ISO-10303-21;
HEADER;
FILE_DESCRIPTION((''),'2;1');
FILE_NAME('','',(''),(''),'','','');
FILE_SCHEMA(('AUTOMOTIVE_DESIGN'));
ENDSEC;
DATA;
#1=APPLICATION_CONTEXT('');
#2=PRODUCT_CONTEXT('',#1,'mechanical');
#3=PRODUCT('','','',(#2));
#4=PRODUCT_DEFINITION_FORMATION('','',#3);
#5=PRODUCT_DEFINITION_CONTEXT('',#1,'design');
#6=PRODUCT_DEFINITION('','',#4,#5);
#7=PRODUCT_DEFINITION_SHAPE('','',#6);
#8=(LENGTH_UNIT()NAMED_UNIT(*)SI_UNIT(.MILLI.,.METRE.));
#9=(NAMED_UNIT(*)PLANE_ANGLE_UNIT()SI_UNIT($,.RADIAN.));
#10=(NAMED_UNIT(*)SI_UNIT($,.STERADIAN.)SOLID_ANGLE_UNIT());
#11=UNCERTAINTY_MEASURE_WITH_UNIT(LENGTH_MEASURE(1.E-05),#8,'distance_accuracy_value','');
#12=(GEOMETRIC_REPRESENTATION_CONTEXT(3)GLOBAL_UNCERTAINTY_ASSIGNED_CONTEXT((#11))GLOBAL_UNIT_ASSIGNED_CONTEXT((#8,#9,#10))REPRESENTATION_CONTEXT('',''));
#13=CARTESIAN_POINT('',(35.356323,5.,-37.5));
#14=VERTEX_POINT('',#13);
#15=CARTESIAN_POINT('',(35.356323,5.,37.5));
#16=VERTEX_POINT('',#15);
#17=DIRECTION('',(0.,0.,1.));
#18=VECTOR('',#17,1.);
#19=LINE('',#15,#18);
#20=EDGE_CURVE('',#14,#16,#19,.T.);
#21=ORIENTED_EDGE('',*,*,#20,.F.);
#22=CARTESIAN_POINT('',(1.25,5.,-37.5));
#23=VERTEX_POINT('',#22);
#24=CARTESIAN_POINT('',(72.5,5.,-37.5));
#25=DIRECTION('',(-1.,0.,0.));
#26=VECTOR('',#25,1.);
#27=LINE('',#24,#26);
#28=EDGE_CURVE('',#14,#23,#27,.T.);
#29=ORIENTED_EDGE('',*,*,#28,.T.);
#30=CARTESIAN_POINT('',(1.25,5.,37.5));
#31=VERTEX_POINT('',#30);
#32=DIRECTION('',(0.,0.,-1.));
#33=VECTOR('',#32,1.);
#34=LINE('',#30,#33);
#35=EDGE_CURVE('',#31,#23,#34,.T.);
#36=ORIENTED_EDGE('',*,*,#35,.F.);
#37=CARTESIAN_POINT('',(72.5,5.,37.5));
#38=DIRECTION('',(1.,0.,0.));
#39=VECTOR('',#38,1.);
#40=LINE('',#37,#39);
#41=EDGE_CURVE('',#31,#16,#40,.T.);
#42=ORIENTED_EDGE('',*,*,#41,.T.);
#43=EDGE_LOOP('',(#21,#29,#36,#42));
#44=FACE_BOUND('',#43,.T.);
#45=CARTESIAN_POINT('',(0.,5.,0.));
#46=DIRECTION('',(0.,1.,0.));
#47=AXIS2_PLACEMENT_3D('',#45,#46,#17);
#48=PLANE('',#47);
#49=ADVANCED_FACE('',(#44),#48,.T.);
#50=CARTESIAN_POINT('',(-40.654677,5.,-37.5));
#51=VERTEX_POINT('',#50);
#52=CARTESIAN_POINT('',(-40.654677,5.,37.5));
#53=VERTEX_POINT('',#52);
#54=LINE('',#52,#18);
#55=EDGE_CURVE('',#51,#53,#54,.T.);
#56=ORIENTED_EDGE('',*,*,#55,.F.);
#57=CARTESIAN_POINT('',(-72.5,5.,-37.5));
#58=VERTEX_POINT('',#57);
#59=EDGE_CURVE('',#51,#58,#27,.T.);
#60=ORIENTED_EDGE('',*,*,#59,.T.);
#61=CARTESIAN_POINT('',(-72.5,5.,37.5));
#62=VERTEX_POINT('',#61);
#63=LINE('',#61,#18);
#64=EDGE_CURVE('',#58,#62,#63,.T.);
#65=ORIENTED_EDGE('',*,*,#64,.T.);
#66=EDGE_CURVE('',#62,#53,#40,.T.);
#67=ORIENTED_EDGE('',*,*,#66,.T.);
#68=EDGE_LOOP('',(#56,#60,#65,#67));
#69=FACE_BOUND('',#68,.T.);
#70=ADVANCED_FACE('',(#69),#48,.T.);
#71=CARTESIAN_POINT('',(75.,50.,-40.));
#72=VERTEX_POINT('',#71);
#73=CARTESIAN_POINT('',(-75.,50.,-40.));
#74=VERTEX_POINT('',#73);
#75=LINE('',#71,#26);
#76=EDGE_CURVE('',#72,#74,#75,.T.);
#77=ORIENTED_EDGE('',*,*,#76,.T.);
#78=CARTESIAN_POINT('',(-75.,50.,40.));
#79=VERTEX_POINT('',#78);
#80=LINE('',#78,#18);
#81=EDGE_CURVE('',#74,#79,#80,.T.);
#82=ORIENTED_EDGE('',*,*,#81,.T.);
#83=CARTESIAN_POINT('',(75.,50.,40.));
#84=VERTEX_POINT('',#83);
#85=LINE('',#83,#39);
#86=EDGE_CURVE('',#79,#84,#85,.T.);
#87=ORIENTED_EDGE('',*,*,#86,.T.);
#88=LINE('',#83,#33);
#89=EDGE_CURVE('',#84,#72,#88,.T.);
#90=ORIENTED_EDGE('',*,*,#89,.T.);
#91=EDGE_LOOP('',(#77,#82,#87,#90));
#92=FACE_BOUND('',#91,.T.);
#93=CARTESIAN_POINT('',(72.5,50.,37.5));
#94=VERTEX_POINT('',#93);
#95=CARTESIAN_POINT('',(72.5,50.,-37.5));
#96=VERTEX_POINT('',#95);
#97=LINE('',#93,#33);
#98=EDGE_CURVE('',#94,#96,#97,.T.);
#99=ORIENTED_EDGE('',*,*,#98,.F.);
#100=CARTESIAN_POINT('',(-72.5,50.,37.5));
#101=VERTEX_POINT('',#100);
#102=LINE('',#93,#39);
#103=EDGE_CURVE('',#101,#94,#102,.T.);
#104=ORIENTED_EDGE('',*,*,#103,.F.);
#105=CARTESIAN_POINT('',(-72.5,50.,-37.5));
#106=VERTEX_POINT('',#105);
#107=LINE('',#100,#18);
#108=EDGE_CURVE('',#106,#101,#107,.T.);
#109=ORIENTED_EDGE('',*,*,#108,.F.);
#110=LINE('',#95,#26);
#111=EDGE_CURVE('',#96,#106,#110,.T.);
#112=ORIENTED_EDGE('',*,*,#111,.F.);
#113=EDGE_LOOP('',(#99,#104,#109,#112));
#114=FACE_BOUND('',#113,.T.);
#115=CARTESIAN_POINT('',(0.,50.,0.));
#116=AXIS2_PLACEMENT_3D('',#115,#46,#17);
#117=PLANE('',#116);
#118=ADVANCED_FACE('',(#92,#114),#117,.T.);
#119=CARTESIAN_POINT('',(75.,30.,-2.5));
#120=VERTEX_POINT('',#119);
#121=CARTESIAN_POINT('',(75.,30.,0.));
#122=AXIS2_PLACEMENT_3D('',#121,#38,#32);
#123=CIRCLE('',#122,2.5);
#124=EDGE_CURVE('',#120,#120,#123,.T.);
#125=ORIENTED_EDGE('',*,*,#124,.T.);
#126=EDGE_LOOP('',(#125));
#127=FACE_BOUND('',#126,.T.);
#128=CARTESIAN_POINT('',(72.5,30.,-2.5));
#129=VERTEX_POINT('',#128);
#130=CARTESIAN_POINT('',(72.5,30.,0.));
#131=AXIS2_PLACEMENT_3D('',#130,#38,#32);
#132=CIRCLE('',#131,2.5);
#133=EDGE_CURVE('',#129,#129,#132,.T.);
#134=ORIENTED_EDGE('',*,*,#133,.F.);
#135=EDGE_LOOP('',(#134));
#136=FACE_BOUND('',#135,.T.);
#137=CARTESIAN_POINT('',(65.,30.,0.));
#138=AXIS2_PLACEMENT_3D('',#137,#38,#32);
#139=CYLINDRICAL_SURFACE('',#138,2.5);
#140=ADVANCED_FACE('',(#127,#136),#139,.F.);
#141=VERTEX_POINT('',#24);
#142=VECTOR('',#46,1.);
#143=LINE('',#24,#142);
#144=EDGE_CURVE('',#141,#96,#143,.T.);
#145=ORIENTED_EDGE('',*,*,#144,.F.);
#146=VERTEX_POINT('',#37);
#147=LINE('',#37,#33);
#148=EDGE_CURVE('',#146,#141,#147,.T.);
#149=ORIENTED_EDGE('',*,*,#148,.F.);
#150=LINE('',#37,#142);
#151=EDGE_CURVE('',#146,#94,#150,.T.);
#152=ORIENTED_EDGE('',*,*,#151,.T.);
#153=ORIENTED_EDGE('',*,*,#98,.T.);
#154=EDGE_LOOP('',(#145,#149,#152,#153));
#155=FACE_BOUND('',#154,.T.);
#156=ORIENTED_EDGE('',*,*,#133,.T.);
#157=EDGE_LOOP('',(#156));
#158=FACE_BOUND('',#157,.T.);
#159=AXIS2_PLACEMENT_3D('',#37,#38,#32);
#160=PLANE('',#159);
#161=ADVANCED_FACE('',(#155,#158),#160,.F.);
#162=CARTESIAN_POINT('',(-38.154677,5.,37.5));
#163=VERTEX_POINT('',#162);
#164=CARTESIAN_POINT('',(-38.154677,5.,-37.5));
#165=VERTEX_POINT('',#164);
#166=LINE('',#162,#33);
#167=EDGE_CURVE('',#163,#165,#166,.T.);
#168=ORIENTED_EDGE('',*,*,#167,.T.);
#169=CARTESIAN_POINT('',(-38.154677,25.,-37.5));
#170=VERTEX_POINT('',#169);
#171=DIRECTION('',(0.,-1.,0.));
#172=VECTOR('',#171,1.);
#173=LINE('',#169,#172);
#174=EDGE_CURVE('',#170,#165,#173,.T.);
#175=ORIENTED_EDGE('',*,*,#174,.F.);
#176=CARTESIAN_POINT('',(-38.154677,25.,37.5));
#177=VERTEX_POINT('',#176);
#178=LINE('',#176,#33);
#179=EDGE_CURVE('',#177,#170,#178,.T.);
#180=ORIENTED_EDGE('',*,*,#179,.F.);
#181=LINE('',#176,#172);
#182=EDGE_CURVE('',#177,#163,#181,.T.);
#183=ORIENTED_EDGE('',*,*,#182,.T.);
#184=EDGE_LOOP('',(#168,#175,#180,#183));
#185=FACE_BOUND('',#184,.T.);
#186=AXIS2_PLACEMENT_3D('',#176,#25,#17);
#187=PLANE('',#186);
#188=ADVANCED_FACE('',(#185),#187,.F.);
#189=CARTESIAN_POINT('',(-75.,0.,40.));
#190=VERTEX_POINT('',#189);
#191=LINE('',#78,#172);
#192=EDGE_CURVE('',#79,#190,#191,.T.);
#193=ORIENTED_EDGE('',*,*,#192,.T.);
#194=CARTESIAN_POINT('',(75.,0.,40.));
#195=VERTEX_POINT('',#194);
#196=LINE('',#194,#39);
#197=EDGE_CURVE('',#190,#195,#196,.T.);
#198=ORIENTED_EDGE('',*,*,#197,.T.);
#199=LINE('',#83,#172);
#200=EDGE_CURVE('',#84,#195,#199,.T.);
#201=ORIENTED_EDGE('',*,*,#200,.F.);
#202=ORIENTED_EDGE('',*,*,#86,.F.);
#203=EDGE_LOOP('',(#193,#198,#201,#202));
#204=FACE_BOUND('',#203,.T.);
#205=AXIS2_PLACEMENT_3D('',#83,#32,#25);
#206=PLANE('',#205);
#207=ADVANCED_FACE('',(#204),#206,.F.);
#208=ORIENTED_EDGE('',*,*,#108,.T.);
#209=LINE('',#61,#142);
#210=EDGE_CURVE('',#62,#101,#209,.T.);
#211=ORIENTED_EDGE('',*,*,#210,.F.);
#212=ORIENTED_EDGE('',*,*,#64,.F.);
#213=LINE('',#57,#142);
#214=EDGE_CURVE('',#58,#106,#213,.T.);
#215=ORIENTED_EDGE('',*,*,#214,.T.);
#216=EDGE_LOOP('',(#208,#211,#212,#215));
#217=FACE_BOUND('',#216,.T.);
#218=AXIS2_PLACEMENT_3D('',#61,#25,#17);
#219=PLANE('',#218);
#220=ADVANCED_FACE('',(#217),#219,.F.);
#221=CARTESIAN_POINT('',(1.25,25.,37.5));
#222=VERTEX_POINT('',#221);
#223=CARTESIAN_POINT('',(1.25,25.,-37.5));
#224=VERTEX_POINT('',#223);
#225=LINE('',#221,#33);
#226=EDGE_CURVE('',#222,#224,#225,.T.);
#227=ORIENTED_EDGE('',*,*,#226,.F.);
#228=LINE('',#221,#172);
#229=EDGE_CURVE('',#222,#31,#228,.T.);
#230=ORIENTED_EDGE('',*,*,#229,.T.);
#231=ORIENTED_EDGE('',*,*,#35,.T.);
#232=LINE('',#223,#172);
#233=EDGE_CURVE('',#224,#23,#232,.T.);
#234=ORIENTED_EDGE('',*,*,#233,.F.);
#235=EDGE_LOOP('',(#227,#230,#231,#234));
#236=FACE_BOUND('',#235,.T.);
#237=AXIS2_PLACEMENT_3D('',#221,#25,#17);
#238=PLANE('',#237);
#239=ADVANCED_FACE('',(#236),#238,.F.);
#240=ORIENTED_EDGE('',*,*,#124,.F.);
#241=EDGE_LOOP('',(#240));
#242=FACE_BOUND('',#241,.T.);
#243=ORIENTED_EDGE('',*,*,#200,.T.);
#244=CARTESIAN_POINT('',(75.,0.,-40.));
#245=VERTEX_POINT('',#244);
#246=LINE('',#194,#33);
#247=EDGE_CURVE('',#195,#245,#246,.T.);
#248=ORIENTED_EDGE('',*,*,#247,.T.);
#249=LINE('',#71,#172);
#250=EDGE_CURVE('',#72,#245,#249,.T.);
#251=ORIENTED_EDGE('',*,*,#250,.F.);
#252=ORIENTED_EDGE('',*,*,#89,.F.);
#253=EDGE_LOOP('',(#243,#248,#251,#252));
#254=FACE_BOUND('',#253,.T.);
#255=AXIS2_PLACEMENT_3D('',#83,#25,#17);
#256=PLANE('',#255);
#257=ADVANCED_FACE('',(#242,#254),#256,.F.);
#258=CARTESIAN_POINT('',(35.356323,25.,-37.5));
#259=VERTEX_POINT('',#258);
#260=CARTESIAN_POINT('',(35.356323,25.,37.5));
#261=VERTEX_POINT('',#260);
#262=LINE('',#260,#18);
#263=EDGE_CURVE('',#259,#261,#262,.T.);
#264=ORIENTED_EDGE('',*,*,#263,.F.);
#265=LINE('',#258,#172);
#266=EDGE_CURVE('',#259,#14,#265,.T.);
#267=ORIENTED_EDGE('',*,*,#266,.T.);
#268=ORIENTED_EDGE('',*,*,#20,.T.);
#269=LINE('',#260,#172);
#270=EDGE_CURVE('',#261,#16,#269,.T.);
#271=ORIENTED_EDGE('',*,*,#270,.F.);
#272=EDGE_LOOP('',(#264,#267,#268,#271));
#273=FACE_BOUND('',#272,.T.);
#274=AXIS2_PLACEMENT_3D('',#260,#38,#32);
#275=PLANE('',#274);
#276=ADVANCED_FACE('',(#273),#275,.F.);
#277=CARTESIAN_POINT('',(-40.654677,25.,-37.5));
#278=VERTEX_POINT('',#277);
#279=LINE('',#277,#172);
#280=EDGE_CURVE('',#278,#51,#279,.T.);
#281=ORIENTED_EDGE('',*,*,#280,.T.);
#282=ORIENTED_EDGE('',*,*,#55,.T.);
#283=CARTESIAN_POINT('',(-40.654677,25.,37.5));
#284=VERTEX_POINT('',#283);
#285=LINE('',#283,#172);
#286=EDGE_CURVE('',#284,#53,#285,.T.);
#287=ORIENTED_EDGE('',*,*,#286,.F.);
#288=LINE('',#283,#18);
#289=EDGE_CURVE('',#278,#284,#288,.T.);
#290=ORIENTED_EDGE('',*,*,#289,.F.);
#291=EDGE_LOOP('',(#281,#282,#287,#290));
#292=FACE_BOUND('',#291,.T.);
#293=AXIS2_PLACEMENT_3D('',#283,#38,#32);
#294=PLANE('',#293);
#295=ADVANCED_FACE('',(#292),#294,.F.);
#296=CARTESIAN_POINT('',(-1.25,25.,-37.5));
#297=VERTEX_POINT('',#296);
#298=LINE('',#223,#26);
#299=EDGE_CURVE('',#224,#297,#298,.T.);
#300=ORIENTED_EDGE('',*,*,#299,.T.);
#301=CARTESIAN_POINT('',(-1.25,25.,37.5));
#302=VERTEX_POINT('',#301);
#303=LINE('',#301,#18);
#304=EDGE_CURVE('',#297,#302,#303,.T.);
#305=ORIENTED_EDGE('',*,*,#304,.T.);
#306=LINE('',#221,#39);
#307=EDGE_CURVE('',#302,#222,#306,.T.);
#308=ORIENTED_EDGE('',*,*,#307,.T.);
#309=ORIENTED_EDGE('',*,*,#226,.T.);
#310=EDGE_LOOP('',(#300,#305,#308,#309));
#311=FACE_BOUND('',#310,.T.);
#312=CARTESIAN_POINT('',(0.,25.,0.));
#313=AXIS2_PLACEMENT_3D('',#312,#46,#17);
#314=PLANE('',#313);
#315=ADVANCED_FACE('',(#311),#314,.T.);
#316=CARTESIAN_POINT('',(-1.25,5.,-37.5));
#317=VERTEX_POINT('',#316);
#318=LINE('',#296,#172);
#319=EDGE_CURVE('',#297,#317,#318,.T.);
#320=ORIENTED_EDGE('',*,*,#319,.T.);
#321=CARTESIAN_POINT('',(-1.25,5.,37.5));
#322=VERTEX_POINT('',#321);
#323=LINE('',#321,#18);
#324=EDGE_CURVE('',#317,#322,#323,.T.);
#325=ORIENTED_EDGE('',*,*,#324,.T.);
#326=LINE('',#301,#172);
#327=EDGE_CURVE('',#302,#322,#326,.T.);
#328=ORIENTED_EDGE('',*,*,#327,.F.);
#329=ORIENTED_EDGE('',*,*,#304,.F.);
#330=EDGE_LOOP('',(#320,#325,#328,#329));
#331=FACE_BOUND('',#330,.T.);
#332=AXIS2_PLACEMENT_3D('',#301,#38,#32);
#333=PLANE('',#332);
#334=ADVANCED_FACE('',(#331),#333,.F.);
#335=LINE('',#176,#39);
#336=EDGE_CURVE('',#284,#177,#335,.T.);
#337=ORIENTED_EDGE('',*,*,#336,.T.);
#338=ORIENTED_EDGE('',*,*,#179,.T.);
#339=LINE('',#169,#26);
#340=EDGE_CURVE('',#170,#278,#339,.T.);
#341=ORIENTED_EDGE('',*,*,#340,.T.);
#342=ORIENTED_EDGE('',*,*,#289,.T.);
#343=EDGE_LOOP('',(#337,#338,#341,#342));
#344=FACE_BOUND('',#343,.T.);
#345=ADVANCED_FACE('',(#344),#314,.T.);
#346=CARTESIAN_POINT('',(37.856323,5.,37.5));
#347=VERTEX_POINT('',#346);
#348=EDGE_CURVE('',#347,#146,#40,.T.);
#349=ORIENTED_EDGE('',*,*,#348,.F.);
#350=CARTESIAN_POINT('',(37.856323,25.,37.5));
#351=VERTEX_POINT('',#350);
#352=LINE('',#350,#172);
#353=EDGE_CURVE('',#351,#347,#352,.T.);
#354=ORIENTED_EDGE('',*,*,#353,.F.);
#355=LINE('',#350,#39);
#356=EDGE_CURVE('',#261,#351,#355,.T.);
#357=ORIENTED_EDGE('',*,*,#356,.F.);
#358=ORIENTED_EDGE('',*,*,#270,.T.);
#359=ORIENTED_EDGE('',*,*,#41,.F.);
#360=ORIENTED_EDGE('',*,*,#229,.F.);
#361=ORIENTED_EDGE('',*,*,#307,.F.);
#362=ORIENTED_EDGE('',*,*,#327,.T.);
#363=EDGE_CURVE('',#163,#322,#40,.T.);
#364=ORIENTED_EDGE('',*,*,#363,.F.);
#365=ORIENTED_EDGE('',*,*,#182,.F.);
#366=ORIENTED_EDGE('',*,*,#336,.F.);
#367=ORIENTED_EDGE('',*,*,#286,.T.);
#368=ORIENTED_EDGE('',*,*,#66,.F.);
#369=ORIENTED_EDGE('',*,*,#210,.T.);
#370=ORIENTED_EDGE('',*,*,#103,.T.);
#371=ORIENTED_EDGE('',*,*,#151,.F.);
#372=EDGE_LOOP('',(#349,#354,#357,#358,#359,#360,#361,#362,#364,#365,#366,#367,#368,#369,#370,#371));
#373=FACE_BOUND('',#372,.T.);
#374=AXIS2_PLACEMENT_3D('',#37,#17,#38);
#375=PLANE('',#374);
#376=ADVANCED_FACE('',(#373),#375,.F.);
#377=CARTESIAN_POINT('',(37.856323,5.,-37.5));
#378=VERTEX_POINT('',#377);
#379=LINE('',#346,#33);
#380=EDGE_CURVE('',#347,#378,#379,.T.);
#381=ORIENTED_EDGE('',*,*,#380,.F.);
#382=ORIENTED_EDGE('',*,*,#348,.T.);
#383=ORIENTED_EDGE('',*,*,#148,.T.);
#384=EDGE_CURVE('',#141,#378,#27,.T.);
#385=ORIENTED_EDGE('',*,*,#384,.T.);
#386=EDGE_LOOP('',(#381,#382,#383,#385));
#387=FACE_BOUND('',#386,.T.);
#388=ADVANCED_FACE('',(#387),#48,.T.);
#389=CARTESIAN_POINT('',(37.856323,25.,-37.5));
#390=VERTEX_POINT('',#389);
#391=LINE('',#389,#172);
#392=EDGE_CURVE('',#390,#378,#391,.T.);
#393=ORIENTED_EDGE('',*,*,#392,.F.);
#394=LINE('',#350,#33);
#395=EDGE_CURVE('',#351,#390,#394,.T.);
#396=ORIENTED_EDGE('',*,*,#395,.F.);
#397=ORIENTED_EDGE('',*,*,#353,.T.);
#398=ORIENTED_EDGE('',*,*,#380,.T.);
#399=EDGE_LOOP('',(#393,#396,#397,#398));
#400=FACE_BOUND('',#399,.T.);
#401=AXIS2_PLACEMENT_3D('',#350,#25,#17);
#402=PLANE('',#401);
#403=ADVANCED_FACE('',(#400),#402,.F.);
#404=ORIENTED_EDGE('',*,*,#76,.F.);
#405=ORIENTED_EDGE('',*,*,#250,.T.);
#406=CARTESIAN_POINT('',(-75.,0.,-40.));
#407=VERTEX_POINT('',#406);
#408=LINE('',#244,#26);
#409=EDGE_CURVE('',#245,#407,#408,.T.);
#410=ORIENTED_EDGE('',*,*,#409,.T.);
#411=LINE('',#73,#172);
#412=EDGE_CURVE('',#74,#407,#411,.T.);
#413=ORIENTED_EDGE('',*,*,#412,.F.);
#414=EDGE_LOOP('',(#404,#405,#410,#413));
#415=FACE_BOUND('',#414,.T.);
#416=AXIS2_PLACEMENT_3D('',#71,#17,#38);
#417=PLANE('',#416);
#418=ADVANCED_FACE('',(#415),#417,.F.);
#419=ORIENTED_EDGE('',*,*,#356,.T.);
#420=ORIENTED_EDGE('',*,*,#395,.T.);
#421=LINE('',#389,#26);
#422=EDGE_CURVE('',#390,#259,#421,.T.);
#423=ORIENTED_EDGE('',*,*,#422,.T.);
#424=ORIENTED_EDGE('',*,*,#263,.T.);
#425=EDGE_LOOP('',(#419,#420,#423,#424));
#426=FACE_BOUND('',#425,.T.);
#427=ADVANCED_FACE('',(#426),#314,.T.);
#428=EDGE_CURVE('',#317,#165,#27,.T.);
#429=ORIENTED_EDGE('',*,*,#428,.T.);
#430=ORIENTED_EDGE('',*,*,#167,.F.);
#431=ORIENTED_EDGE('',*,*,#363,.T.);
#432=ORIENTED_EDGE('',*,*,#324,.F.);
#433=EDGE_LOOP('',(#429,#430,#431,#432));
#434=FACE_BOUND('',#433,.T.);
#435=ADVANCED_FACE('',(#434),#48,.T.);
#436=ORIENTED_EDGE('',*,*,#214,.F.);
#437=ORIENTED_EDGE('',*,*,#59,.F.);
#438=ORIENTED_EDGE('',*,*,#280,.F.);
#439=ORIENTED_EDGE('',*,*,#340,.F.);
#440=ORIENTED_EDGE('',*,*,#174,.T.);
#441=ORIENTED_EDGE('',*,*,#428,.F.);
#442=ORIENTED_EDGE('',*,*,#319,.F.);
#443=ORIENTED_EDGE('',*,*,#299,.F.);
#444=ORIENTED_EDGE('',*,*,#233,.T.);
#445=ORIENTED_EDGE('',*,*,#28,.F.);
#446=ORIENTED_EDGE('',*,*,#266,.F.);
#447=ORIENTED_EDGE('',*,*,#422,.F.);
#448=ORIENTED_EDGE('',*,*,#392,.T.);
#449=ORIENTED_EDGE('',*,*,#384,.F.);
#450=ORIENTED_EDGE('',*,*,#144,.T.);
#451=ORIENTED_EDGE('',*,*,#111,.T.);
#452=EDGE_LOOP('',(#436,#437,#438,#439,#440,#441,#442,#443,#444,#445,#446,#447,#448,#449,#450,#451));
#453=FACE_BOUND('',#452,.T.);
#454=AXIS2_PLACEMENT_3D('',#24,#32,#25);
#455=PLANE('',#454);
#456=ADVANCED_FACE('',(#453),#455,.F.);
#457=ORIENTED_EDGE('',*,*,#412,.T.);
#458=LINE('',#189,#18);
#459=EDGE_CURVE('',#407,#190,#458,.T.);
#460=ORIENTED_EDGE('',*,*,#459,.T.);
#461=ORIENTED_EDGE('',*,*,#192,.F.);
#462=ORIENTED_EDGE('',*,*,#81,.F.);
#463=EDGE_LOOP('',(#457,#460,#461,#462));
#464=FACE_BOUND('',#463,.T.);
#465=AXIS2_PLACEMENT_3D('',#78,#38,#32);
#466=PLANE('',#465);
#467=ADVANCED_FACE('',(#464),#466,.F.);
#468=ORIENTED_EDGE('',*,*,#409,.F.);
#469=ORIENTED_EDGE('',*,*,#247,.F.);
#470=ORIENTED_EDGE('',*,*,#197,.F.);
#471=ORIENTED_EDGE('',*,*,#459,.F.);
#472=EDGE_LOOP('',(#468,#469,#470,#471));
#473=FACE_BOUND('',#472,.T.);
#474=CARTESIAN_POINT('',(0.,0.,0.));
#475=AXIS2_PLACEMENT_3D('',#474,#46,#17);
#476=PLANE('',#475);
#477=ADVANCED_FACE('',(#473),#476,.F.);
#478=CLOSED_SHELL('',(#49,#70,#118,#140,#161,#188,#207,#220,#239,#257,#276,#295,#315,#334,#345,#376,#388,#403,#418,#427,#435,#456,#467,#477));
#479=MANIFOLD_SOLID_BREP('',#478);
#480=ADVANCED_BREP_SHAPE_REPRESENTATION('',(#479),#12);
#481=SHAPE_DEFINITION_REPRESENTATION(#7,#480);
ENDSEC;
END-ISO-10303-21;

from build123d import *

# Parameters (mm, degrees)
SKETCH1_W           = 150
SKETCH1_H           = 80
BOSS_EXTRUDE1_DEPTH = 50
SKETCH2_W           = 145
SKETCH2_H           = 75
CUT_EXTRUDE1_DEPTH  = 45
SKETCH6_W           = 2.5
SKETCH6_H           = 75
BOSS_EXTRUDE3_DEPTH = 20
SKETCH7_W           = 2.5
SKETCH7_H           = 75
BOSS_EXTRUDE4_DEPTH = 20
SKETCH10_W          = 2.5
SKETCH10_H          = 75
BOSS_EXTRUDE5_DEPTH = 20
SKETCH12_R          = 2.5
CUT_EXTRUDE8_DEPTH  = 10


with BuildPart() as part:
    # Sketch1 → Boss-Extrude1 (new body)
    with BuildSketch(Plane(origin=(0, 0, 0), x_dir=(1, 0, 0), z_dir=(0, 1, 0))):
        Rectangle(SKETCH1_W, SKETCH1_H)
    extrude(amount=BOSS_EXTRUDE1_DEPTH)

    # Sketch2 → Cut-Extrude1 (cut)
    with BuildSketch(Plane(origin=(0, 50, 0), x_dir=(1, 0, 0), z_dir=(0, 1, 0))):
        Rectangle(SKETCH2_W, SKETCH2_H)
    extrude(amount=-CUT_EXTRUDE1_DEPTH, mode=Mode.SUBTRACT)

    # Sketch6 → Boss-Extrude3 (add)
    with BuildSketch(Plane(origin=(0, 5, 0), x_dir=(1, 0, 0), z_dir=(0, 1, 0))):
        Rectangle(SKETCH6_W, SKETCH6_H)
    extrude(amount=BOSS_EXTRUDE3_DEPTH)

    # Sketch7 → Boss-Extrude4 (add)
    with BuildSketch(Plane(origin=(0, 5, 0), x_dir=(1, 0, 0), z_dir=(0, 1, 0))):
        with Locations((-39.404677113, 0)):
            Rectangle(SKETCH7_W, SKETCH7_H)
    extrude(amount=BOSS_EXTRUDE4_DEPTH)

    # Sketch10 → Boss-Extrude5 (add)
    with BuildSketch(Plane(origin=(0, 5, 0), x_dir=(1, 0, 0), z_dir=(0, 1, 0))):
        with Locations((36.606323204, 0)):
            Rectangle(SKETCH10_W, SKETCH10_H)
    extrude(amount=BOSS_EXTRUDE5_DEPTH)

    # Sketch12 → Cut-Extrude8 (cut)
    with BuildSketch(Plane(origin=(75, 0, 0), x_dir=(0, 0, -1), z_dir=(1, 0, 0))):
        with Locations((0, 30)):
            Circle(SKETCH12_R)
    extrude(amount=-CUT_EXTRUDE8_DEPTH, mode=Mode.SUBTRACT)


solid = part.part
